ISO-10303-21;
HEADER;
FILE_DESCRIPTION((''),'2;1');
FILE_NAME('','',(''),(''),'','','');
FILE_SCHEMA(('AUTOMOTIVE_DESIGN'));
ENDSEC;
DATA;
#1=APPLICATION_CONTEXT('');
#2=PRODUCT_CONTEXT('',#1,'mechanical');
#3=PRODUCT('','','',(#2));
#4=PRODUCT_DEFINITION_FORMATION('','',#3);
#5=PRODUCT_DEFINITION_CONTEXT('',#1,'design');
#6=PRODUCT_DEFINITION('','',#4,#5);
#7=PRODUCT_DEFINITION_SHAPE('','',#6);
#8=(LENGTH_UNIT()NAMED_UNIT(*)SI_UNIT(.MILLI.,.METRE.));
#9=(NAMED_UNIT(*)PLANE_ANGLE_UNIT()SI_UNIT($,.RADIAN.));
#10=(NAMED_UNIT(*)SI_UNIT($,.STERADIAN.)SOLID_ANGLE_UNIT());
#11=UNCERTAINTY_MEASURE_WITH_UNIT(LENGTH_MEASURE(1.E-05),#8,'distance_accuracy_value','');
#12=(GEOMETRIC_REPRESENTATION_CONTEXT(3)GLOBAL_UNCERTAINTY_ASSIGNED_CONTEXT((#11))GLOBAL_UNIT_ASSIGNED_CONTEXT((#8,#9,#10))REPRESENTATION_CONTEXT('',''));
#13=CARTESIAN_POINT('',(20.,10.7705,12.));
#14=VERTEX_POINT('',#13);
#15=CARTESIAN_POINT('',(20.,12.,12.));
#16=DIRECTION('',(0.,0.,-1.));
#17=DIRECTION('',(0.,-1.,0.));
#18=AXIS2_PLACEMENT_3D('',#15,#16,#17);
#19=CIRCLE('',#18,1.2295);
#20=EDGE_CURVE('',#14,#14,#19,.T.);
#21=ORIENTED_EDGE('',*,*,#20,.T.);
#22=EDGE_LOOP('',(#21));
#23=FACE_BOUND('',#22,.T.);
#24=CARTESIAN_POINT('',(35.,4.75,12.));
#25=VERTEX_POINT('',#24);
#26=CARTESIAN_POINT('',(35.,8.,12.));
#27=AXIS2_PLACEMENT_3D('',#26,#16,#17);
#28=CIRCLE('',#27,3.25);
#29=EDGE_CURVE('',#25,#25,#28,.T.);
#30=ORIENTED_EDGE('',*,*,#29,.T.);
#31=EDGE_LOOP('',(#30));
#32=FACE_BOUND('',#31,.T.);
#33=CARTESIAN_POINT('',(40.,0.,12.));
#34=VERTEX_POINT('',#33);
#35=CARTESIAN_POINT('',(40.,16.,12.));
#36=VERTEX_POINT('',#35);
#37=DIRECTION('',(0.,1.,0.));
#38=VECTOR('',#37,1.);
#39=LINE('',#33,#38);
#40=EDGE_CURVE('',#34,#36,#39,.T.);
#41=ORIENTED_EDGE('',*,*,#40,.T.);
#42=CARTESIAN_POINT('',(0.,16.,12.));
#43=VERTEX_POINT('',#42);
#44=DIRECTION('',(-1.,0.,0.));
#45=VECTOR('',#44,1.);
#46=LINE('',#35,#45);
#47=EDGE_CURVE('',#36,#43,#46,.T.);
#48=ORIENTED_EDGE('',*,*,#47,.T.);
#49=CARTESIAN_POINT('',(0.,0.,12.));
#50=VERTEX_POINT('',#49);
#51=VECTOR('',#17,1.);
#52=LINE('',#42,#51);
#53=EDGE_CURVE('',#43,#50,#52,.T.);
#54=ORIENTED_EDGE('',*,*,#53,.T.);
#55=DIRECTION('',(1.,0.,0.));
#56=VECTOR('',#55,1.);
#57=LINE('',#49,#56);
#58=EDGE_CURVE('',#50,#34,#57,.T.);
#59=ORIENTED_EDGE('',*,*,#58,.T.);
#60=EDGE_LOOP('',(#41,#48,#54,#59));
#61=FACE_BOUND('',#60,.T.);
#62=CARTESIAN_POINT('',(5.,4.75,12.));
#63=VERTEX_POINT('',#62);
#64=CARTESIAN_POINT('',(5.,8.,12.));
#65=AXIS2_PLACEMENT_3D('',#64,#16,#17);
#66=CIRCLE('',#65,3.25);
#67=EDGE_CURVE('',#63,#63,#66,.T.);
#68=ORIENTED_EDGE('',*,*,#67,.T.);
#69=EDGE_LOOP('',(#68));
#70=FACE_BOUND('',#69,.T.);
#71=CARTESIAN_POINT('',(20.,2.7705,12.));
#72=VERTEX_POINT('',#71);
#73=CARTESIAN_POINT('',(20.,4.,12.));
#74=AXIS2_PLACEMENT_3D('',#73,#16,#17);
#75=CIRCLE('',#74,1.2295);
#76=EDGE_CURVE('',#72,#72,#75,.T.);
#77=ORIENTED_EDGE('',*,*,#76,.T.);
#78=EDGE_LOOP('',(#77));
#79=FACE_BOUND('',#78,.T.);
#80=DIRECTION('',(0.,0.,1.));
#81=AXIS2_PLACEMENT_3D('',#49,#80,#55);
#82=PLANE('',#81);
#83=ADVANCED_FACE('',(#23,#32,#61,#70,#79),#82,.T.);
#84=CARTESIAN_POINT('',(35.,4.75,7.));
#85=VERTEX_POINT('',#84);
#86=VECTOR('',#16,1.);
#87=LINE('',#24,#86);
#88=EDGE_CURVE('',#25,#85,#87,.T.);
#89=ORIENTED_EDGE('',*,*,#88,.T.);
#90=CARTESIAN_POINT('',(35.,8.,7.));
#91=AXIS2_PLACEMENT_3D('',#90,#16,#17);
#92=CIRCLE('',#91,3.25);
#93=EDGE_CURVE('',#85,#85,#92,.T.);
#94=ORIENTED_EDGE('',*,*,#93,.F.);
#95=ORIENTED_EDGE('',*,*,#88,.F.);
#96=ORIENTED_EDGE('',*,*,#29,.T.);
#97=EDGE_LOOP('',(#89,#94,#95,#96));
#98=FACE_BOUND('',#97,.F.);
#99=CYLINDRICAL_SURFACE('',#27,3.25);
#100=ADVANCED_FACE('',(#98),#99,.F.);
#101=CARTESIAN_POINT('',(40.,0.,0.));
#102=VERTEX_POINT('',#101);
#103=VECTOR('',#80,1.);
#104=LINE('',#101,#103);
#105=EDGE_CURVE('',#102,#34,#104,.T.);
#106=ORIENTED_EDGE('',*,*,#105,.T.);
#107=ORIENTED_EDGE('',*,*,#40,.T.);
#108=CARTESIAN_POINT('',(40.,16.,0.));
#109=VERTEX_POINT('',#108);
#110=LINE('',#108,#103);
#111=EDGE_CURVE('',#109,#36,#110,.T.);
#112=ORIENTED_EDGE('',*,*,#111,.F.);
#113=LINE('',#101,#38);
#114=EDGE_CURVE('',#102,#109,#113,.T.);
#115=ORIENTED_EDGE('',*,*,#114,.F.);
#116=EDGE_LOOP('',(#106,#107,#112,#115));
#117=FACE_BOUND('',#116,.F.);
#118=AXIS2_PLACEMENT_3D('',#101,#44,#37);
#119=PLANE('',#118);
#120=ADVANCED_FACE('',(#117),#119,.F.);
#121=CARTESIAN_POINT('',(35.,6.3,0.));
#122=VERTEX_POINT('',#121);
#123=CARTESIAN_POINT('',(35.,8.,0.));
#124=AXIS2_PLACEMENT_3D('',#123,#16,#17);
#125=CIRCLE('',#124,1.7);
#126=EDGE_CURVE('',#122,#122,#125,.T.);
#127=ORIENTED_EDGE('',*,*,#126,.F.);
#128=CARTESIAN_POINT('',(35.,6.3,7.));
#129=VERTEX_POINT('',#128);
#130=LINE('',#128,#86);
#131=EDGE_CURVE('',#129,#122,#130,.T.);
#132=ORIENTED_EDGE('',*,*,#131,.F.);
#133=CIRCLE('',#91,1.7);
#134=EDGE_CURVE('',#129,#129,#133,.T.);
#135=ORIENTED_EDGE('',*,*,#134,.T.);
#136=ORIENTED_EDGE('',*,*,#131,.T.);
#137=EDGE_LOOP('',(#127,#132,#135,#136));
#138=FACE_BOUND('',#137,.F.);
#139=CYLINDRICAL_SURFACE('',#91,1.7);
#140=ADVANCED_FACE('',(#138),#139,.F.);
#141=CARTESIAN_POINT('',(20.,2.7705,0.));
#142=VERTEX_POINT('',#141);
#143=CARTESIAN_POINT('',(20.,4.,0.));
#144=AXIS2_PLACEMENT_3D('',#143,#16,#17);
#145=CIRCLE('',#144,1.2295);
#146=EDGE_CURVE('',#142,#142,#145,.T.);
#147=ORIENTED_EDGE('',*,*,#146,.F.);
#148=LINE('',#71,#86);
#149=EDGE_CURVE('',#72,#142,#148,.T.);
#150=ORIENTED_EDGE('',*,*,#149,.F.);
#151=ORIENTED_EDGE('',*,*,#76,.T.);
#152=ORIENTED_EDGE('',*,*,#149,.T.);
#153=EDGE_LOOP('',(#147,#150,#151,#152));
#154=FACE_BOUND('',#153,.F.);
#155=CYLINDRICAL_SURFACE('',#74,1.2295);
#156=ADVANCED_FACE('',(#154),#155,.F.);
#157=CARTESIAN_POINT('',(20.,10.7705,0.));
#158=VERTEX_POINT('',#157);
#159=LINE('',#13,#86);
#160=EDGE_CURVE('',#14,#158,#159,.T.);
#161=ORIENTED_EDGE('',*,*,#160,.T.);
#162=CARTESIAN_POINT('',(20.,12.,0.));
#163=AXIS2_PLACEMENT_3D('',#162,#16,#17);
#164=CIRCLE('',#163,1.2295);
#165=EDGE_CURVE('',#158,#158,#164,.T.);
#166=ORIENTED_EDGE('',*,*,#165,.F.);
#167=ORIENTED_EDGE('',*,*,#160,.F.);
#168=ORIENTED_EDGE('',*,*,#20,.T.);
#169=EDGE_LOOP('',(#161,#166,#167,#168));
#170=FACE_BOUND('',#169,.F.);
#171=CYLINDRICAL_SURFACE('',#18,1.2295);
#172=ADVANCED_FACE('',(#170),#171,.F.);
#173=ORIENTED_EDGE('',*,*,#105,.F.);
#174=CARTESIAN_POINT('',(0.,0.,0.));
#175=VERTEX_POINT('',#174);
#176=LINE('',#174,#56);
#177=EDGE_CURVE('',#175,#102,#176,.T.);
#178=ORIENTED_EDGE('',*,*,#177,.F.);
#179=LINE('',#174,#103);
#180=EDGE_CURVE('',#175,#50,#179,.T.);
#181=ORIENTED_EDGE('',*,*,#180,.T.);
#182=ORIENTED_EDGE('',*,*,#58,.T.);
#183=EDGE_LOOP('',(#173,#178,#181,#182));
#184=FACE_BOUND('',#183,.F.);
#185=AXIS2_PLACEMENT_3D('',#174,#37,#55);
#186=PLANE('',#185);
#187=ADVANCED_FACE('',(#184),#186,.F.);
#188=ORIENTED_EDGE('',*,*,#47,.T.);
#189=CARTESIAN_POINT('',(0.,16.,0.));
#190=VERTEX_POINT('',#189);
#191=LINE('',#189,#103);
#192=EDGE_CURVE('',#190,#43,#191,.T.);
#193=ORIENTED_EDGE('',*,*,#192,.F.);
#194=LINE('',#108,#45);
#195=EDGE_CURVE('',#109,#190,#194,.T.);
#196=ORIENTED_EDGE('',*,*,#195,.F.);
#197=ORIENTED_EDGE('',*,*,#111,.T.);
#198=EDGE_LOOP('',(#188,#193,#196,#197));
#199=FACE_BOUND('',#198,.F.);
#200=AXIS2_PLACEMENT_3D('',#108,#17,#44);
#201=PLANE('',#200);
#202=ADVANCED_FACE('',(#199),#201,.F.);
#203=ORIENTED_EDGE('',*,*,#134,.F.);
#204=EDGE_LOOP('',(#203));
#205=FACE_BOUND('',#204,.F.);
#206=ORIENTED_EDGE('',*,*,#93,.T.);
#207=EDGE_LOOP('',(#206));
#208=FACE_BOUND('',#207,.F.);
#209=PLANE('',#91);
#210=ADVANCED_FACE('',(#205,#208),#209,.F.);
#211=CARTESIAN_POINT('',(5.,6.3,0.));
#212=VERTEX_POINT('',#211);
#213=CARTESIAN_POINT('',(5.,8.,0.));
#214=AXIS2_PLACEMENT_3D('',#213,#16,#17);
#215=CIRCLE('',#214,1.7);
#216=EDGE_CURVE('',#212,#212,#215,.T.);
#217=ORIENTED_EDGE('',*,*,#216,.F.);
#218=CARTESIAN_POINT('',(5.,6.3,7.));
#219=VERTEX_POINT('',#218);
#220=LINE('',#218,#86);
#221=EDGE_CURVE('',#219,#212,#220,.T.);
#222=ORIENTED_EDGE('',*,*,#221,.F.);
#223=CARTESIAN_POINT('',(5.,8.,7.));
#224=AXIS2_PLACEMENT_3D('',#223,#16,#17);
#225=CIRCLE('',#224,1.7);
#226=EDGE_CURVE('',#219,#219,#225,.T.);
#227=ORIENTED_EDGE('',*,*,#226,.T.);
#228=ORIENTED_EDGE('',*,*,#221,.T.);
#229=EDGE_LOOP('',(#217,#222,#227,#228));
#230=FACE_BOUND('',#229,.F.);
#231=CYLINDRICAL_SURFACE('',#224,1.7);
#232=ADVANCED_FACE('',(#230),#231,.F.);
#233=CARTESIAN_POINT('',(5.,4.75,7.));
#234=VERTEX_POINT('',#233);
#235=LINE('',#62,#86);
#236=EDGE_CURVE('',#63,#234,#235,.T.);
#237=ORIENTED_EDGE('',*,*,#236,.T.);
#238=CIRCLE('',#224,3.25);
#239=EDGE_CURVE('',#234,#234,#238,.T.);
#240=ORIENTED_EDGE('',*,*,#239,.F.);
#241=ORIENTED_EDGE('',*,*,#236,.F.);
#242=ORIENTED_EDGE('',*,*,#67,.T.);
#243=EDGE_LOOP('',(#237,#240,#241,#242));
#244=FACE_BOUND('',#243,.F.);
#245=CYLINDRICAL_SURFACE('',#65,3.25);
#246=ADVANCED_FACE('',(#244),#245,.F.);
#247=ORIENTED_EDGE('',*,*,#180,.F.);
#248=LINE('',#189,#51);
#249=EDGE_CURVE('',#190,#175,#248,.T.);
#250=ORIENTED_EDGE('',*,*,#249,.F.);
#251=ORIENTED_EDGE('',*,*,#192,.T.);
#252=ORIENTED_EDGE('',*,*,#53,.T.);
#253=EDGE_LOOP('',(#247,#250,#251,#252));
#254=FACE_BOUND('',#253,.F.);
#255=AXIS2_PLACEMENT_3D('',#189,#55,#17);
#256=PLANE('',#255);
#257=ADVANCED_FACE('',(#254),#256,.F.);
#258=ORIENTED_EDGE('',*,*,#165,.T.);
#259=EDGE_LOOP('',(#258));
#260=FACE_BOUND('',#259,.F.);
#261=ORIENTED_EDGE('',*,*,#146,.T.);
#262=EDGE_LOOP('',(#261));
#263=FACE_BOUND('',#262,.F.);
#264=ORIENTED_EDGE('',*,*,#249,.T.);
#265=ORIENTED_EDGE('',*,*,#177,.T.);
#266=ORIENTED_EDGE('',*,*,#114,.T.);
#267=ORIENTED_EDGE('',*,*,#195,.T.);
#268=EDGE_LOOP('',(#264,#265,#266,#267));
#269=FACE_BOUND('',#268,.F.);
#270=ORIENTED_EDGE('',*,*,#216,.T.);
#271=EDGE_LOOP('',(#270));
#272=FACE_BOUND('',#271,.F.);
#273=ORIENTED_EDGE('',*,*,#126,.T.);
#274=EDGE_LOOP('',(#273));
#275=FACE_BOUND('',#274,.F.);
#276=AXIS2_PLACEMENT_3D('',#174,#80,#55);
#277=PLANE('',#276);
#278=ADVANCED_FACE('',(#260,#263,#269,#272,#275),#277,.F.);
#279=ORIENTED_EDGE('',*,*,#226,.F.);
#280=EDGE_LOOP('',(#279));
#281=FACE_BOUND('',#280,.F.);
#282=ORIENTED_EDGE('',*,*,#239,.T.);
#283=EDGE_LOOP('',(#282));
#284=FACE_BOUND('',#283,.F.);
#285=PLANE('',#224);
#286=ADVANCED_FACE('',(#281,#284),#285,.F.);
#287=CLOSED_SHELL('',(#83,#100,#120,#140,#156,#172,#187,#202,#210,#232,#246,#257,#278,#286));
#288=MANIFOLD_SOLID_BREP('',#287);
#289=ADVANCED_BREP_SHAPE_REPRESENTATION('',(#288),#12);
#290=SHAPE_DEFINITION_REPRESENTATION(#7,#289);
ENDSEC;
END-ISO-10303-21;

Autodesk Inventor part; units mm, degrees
ref_plane "YZ Plane" through (0, 0, 0) normal (1, 0, 0) x (0, 1, 0)
ref_plane "XZ Plane" through (0, 0, 0) normal (0, 1, 0) x (-1, 0, 0)
ref_plane "XY Plane" through (0, 0, 0) normal (0, 0, 1) x (1, 0, 0)
sketch "Skizze1" plane through (0, 0, 0) normal (0, 0, 1) x (1, 0, 0)
  line L0 (0, 0) -> (40, 0)
  line L1 (40, 0) -> (40, 16)
  line L2 (40, 16) -> (0, 16)
  line L3 (0, 16) -> (0, 0)
  dimension "d0" = 16
  dimension "d1" = 40
extrude "Extrusion1" add sketch "Skizze1" along normal blind 12
sketch "Skizze2" plane through (0, 0, 12) normal (0, 0, 1) x (1, 0, 0)
  line L0 (40, 0) -> (0, 0) projected
  line L1 (0, 16) -> (40, 16) projected
  line L2 (20, 16) -> (20, 0)
  point P0 (20, 12)
  point P1 (20, 4)
  dimension "d4" = 4
  dimension "d5" = 8
hole "Bohrung1" at (20, 12, 12) at (20, 4, 12) direction (0, 0, -1) diameter 2.459 end through all thread size "M3x0.5" class "6H" standard "ISO Metric profile"
sketch "Skizze3" plane through (0, 0, 12) normal (0, 0, 1) x (1, 0, 0)
  line L0 (0, 0) -> (0, 16) projected
  line L1 (40, 0) -> (0, 0) projected
  line L2 (40, 16) -> (40, 0) projected
  line L3 (0, 16) -> (40, 16) projected
  line L4 (0, 8) -> (40, 8)
  line L5 (20, 16) -> (20, 0)
  point P0 (5, 8)
  point P1 (35, 8)
  dimension "d13" = 30
hole "Bohrung2" at (5, 8, 12) at (35, 8, 12) direction (0, 0, -1) diameter 3.4 end through all counterbore diameter 6.5 counterbore depth 5
properties part number "13_0204_069"
